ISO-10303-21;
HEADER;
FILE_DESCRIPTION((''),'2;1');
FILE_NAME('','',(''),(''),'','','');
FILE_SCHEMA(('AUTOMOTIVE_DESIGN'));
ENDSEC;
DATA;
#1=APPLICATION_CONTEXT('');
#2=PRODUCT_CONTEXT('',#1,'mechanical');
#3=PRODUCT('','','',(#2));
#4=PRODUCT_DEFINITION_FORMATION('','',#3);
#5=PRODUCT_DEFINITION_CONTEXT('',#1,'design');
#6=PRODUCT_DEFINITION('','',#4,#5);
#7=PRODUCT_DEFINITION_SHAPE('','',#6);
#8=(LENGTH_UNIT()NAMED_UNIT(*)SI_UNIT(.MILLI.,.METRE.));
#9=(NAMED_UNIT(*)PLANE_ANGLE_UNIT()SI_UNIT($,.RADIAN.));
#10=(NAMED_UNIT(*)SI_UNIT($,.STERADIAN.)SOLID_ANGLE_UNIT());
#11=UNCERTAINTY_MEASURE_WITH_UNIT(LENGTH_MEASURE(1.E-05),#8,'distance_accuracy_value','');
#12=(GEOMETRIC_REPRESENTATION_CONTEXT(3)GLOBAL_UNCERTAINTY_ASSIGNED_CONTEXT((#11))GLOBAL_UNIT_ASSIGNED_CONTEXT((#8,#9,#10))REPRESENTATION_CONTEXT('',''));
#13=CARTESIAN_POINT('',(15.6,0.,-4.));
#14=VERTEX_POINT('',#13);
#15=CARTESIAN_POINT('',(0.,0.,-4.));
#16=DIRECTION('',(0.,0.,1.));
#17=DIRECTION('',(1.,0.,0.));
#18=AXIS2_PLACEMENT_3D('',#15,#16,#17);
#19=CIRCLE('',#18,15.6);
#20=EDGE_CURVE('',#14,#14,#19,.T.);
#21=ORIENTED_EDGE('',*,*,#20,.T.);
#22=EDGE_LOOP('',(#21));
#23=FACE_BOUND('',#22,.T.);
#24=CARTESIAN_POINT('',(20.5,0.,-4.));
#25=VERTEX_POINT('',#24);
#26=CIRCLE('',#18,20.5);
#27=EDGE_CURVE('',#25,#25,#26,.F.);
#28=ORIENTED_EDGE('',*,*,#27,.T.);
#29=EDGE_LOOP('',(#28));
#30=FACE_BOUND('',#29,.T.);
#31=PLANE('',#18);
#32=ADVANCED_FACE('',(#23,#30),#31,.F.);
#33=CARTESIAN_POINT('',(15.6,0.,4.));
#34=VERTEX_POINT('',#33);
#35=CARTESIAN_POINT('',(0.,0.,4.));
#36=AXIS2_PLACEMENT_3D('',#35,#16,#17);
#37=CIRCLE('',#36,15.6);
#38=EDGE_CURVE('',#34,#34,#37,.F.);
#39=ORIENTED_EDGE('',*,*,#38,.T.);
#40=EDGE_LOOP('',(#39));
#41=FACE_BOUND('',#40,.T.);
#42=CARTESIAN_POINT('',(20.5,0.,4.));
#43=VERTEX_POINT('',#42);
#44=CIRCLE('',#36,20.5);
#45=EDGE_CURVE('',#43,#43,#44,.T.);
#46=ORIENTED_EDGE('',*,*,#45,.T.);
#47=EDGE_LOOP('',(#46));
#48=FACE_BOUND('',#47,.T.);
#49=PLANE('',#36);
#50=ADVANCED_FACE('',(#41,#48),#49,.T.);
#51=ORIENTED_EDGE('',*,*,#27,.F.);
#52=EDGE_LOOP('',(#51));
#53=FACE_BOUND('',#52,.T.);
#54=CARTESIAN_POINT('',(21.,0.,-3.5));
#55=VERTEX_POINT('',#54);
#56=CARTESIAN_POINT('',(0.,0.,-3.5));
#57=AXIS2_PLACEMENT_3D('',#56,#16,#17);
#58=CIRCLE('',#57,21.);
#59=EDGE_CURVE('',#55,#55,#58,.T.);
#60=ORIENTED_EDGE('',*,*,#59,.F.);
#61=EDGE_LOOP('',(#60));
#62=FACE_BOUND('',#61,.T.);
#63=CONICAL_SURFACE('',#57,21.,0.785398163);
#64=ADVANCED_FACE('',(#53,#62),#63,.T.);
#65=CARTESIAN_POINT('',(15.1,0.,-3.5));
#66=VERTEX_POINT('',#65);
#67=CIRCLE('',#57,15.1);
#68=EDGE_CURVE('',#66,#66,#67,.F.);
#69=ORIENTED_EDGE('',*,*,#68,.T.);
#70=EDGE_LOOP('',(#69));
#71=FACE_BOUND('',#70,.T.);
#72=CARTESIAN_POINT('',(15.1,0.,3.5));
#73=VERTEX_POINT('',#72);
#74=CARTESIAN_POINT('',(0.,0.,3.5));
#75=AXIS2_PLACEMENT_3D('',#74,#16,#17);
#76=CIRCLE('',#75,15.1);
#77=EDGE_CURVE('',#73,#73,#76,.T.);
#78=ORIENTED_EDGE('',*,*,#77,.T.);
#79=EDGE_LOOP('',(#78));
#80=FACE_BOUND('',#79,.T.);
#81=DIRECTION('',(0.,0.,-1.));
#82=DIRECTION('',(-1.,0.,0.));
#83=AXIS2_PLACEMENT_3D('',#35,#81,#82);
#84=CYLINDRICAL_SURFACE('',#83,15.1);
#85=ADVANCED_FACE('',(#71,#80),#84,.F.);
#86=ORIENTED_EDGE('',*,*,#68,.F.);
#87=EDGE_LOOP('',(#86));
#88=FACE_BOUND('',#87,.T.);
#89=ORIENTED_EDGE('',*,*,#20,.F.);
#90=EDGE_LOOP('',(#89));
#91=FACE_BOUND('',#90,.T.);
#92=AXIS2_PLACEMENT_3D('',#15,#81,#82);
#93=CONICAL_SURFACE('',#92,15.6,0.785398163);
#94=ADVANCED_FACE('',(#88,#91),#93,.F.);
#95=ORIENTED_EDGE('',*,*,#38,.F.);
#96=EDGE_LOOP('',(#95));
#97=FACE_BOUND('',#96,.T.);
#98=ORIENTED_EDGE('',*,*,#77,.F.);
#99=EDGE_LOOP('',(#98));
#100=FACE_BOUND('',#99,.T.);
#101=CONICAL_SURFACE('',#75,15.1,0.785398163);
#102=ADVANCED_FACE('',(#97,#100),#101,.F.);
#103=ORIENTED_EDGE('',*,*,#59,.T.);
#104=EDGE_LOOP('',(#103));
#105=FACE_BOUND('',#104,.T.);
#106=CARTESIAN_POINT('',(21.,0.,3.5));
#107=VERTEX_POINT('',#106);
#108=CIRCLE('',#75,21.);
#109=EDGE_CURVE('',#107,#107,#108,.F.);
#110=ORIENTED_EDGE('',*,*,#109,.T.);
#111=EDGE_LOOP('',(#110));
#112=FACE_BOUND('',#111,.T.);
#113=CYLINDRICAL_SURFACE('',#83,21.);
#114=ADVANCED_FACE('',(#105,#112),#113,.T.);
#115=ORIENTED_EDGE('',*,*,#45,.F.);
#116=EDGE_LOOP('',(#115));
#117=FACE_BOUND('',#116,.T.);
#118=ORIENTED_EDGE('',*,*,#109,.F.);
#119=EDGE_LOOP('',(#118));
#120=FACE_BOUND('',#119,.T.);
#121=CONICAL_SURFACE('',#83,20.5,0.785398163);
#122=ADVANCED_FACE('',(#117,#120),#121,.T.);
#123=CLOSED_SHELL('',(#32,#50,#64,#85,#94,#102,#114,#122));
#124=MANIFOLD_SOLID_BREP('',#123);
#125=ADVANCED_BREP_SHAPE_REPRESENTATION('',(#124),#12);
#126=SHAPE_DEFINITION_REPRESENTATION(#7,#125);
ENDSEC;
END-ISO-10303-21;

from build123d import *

# Parameters (mm, degrees)
SKETCH_1_R      = 21
SKETCH_1_R_2    = 15.1
EXTRUDE_1_DEPTH = 4
CHAMFER_1_SIZE  = 0.5


with BuildPart() as part:
    # 草图1 → 凸台-拉伸1 (new, symmetric)
    with BuildSketch(Plane.XY):
        Circle(SKETCH_1_R)
        Circle(SKETCH_1_R_2, mode=Mode.SUBTRACT)
    extrude(amount=EXTRUDE_1_DEPTH, both=True)

    # 倒角1
    chamfer_1_edges = [part.edges().sort_by_distance(p)[0] for p in [
        (-21, 0, -4),
        (-21, 0, 4),
        (-15.1, 0, -4),
        (-15.1, 0, 4),
    ]]
    chamfer(chamfer_1_edges, length=CHAMFER_1_SIZE)


solid = part.part
